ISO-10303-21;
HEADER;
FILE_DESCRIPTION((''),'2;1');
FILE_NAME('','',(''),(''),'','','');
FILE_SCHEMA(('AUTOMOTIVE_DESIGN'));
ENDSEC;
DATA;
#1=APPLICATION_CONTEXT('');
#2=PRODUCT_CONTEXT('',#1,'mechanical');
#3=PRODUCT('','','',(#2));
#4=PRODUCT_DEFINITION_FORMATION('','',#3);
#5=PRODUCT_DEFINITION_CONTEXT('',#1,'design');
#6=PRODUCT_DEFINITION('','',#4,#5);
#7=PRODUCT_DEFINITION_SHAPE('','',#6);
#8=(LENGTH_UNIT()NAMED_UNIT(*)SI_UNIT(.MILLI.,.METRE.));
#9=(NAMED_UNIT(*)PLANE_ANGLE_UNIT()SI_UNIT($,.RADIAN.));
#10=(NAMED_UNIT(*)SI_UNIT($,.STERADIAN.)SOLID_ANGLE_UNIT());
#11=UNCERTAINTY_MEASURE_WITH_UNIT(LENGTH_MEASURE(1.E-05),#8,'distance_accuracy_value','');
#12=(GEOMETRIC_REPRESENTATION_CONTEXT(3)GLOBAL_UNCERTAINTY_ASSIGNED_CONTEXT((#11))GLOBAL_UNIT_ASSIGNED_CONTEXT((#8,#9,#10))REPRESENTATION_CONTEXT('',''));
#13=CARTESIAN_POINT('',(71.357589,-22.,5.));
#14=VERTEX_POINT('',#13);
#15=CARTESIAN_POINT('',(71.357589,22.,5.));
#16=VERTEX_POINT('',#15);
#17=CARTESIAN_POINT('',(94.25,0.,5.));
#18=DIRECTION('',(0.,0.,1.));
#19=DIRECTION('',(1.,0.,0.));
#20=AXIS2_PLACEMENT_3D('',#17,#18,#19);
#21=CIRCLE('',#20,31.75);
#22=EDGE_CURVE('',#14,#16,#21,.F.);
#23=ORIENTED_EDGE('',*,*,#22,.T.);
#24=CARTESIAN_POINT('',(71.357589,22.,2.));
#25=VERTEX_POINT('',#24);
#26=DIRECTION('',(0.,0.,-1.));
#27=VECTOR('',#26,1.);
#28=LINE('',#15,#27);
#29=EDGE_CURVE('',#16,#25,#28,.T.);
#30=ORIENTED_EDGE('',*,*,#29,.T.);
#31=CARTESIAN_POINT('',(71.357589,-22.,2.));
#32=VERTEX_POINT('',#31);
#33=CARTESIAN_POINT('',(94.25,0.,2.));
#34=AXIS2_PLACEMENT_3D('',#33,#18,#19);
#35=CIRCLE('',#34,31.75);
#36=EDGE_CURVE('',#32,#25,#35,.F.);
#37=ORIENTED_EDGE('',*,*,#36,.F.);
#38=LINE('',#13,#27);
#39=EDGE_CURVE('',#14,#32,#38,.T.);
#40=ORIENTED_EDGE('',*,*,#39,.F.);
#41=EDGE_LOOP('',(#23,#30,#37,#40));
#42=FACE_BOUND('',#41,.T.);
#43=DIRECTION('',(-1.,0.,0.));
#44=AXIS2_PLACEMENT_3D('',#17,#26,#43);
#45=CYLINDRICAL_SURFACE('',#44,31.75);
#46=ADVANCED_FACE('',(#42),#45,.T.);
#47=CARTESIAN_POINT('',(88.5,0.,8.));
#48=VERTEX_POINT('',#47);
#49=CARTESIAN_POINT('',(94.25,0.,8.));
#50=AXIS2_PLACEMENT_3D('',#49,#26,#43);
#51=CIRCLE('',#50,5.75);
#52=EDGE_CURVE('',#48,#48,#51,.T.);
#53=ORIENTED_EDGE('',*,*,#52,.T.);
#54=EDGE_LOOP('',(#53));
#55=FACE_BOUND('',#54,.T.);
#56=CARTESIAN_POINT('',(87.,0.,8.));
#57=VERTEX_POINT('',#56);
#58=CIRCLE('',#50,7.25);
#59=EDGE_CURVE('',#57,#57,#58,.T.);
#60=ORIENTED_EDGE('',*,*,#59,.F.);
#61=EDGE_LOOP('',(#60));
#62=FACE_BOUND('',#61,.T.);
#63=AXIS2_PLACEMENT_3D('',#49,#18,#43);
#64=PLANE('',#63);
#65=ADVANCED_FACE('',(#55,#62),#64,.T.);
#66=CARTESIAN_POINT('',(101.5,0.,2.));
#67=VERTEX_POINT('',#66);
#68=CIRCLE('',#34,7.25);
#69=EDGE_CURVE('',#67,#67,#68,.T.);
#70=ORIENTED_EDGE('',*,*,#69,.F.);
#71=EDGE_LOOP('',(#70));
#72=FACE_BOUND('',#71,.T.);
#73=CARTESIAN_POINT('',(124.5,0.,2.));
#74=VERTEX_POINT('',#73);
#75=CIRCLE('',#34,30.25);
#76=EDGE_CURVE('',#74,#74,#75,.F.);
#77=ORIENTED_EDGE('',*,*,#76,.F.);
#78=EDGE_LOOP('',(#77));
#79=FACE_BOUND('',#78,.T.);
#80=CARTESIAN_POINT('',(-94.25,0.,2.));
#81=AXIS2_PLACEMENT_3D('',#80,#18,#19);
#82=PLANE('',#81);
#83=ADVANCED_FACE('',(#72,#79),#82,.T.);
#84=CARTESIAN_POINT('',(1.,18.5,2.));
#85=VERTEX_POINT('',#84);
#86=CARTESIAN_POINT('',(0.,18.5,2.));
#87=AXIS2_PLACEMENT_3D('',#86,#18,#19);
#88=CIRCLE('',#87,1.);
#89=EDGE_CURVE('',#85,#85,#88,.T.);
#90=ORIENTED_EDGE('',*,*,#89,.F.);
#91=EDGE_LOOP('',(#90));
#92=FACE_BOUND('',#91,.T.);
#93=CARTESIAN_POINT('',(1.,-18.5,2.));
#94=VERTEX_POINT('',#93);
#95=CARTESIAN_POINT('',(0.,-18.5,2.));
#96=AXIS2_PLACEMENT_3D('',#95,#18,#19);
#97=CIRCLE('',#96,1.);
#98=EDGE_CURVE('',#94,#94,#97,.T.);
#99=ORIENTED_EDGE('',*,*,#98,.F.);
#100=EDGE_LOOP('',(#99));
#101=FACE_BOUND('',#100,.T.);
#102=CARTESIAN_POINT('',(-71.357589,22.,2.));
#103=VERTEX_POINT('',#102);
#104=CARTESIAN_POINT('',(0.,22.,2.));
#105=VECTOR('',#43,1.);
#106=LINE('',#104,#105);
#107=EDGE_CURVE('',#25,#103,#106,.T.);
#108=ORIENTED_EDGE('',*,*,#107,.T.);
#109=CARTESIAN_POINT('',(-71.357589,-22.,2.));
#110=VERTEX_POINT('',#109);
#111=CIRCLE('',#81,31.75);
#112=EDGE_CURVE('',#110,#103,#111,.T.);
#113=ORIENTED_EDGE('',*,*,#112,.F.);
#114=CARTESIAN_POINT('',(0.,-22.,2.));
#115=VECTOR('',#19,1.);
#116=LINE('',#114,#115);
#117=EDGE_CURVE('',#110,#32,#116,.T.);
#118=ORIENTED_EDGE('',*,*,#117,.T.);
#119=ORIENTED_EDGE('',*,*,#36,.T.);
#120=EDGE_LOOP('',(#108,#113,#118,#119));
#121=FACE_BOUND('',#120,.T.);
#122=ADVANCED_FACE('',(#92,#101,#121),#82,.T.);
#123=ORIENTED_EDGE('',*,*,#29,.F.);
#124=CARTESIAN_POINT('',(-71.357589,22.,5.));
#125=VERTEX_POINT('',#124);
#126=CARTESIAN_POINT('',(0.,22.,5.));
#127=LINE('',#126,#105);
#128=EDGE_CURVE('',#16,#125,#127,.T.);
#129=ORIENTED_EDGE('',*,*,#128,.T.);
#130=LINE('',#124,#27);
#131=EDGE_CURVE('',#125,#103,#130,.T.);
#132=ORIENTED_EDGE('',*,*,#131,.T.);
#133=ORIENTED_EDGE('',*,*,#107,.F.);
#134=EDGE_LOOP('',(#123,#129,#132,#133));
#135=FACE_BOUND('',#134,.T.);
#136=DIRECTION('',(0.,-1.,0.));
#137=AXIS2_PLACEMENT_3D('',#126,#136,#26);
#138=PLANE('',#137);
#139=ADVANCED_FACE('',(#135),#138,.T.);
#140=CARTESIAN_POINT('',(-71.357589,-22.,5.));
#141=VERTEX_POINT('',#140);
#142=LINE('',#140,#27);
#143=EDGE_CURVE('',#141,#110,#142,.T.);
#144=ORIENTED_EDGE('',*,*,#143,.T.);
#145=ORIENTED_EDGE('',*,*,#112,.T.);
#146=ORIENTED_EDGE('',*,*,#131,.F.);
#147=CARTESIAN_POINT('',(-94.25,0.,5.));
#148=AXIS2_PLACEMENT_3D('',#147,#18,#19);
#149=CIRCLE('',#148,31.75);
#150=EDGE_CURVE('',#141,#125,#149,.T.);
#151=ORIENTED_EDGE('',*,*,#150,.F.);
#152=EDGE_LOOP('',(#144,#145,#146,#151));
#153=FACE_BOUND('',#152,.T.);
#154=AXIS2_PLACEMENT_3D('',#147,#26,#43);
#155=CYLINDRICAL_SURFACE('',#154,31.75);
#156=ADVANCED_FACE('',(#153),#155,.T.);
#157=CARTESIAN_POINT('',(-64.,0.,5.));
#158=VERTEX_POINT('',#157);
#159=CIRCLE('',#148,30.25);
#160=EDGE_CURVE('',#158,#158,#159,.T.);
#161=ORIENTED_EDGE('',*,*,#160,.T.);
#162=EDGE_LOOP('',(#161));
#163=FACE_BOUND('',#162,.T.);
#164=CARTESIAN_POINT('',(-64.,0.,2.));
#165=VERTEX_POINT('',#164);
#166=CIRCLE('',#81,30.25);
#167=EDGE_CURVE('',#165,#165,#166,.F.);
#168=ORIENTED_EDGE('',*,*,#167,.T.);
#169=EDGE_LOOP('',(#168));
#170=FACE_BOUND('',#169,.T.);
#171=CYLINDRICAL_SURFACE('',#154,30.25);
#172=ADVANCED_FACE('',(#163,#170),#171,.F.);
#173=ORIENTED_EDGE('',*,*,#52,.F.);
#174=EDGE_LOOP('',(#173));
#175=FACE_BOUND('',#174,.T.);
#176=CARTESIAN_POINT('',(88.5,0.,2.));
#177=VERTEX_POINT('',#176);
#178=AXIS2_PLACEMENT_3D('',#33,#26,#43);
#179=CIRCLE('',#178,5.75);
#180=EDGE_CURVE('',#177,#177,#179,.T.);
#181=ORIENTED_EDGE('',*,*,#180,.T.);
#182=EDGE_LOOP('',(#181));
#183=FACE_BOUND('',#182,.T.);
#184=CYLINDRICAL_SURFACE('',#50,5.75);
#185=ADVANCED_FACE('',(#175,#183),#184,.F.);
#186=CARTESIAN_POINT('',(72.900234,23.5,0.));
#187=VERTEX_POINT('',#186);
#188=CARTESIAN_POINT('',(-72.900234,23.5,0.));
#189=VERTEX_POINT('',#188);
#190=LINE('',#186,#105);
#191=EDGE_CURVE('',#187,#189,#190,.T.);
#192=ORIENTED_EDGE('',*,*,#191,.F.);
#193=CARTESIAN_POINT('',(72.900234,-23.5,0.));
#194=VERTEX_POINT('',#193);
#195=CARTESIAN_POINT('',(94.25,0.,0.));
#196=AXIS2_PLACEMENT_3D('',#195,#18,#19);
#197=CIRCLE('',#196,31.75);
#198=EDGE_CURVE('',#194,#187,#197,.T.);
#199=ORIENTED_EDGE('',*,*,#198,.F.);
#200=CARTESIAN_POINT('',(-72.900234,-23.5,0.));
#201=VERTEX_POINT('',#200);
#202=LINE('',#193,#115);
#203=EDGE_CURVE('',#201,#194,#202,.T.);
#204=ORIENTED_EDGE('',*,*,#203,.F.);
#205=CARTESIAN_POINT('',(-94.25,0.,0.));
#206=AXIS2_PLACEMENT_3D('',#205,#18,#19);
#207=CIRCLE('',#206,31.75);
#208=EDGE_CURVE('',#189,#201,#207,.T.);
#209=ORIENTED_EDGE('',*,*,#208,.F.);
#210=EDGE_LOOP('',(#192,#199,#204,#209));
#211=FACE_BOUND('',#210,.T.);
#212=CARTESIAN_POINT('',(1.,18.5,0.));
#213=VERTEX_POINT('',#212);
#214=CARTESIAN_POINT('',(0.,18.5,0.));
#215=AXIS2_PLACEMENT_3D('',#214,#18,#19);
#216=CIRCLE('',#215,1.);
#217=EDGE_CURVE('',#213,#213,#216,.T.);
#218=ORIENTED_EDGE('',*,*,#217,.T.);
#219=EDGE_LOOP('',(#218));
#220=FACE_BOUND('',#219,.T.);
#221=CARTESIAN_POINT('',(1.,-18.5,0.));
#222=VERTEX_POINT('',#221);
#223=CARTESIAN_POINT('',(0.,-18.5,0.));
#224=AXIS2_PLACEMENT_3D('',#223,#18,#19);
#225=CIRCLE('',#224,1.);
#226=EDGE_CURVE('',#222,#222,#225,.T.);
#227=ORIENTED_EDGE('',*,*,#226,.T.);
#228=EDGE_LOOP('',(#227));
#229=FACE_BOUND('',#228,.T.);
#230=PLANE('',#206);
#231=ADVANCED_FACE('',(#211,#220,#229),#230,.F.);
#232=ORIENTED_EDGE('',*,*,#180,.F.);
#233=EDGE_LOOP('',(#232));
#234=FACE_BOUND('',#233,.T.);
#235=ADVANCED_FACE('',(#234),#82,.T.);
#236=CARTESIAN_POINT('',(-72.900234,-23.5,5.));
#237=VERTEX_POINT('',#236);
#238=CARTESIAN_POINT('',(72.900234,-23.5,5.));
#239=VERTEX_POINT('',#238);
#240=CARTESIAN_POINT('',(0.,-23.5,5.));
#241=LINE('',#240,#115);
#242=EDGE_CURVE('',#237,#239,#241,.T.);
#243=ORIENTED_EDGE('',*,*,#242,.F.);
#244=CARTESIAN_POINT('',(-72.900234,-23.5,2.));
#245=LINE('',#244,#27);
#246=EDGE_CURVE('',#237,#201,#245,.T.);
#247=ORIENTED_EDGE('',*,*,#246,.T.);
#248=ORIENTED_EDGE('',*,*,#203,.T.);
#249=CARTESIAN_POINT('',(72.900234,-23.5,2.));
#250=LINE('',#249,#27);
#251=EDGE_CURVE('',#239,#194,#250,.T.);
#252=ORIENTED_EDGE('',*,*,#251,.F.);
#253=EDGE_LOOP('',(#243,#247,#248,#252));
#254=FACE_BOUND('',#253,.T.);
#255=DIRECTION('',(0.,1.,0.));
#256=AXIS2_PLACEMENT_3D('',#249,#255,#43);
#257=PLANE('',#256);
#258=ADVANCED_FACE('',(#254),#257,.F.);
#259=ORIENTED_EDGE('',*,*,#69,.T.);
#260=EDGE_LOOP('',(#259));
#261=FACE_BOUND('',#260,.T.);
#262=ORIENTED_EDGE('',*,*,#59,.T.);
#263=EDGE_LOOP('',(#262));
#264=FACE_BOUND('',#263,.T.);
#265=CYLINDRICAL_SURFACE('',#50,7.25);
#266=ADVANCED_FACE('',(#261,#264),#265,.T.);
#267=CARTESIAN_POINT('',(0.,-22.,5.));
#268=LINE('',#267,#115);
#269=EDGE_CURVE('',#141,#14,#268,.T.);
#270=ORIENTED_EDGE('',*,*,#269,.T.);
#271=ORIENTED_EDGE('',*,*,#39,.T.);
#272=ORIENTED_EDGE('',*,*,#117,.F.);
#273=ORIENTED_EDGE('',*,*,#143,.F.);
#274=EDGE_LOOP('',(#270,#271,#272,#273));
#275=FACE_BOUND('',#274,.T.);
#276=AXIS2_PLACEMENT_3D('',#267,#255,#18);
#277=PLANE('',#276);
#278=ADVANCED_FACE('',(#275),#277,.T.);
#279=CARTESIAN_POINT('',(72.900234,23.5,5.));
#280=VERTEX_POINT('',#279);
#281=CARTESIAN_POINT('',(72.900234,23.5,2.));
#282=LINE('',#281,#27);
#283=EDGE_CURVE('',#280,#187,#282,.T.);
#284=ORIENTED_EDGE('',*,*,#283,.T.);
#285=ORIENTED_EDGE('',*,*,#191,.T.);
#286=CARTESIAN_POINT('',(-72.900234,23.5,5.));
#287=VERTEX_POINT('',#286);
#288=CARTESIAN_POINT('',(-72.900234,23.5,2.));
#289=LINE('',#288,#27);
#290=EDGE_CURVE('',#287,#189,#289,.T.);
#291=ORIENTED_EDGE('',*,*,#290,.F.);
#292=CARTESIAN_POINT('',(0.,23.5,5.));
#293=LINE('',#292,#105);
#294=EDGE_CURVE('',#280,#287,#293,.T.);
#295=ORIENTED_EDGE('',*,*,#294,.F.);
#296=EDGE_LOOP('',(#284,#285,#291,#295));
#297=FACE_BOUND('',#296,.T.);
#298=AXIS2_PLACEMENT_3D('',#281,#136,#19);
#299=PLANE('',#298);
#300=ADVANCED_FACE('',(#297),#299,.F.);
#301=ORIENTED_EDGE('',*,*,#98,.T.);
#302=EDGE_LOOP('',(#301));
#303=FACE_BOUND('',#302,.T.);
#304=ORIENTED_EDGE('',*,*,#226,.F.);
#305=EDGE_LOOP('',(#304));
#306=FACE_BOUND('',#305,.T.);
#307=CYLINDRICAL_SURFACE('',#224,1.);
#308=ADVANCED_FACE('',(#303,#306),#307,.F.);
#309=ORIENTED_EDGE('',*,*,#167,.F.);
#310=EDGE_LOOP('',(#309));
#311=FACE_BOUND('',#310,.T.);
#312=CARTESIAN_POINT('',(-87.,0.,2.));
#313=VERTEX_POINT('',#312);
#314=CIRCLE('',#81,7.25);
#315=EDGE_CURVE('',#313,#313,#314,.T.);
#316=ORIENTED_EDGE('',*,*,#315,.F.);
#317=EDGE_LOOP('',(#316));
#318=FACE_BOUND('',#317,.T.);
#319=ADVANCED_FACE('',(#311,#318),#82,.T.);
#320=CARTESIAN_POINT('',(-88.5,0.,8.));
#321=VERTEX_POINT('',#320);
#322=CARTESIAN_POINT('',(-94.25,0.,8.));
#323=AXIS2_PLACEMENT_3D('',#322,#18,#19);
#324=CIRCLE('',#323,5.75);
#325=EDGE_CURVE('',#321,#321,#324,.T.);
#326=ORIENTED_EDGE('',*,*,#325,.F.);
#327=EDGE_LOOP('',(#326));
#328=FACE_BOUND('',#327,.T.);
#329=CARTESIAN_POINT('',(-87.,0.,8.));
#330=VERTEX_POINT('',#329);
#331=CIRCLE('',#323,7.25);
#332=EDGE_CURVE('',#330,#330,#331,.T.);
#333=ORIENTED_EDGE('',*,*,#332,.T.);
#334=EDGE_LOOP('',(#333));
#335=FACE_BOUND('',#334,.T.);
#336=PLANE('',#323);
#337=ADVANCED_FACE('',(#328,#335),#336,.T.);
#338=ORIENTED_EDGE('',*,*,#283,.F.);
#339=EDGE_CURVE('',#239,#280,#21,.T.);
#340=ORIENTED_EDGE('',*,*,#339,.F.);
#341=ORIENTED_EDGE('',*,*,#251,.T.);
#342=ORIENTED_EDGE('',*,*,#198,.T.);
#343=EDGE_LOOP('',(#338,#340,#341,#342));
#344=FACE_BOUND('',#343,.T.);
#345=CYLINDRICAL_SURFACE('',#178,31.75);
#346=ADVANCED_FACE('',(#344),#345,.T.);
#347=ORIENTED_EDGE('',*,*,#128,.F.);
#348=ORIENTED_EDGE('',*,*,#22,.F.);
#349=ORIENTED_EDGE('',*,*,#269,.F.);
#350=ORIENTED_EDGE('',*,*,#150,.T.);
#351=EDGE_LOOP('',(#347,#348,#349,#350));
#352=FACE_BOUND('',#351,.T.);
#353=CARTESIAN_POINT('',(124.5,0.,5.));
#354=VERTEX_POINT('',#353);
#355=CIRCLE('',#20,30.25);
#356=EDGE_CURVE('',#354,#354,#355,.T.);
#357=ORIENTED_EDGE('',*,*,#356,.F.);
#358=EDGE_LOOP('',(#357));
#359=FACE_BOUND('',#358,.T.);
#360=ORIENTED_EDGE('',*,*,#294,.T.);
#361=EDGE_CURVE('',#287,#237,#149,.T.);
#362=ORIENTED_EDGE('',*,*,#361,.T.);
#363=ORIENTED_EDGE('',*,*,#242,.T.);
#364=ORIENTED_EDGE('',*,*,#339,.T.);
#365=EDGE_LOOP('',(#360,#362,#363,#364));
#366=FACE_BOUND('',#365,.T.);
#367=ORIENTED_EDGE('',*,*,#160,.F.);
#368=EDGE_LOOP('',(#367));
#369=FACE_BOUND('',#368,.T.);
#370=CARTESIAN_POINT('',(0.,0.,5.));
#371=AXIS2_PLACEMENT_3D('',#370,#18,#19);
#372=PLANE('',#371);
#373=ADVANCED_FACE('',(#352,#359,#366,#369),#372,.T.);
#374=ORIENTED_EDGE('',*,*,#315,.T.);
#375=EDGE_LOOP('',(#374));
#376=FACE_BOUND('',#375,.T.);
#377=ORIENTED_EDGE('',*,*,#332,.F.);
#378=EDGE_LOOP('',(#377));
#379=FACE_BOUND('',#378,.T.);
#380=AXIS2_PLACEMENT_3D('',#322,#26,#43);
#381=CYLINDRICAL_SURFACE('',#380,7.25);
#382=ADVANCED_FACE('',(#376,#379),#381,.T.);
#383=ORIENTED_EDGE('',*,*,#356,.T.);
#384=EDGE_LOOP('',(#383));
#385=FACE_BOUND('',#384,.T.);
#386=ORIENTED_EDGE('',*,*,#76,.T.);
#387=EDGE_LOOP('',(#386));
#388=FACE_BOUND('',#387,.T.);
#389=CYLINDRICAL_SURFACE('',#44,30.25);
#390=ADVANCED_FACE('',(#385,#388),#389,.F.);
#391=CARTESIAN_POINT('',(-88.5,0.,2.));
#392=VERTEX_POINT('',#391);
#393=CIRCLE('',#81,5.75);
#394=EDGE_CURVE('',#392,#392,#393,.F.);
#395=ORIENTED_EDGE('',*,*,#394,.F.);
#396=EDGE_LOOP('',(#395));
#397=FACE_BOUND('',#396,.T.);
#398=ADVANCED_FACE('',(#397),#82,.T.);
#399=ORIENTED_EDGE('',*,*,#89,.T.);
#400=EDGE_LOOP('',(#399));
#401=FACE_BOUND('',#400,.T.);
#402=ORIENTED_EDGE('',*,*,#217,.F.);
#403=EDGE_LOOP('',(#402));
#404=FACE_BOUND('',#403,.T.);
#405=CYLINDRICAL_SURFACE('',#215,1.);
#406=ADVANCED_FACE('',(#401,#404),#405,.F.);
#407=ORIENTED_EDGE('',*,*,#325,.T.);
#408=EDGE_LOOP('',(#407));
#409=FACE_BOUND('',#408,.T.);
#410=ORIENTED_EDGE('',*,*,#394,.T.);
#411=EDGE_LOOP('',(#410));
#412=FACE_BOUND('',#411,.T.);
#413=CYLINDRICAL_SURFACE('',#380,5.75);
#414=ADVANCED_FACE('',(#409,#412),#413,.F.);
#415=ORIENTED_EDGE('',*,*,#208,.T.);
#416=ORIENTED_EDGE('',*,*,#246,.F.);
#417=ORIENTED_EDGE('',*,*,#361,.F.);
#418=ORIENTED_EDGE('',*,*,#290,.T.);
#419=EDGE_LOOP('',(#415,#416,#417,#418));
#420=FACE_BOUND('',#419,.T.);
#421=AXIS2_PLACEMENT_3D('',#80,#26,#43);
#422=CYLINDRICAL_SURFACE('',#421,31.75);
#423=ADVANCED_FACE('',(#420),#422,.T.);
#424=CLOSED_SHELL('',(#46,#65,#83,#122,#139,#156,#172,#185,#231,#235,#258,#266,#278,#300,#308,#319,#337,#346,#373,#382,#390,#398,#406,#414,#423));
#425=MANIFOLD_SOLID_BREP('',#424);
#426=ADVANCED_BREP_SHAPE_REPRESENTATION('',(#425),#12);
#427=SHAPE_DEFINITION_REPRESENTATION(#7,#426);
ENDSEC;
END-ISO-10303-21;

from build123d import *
from build123d.topology import SkipClean

# Parameters (mm, degrees)
BOSS_EXTRUDE1_DEPTH     = 2
BOSS_EXTRUDE2_DEPTH     = 3
CUT_EXTRUDE1_DEPTH      = 130.973314569
CUT_EXTRUDE1_DEPTH_BACK = 130.973314569
SKETCH3_R               = 1
SKETCH4_R               = 7.25
SKETCH4_R_2             = 5.75
BOSS_EXTRUDE3_DEPTH     = 6


with BuildPart() as part:
    # Sketch1 → Boss-Extrude1 (new body)
    with BuildSketch(Plane.XY):
        with BuildLine():
            Line((72.900234193, -23.5), (-72.900234193, -23.5))
            ThreePointArc((-72.900234193, -23.5), (-126, 0), (-72.900234193, 23.5))
            Line((-72.900234193, 23.5), (72.900234193, 23.5))
            ThreePointArc((72.900234193, 23.5), (126, 0), (72.900234193, -23.5))
        make_face()
    extrude(amount=BOSS_EXTRUDE1_DEPTH)

    # Sketch2 → Boss-Extrude2 (add)
    with SkipClean():  # the faces are left unmerged after this step: merging them gives an invalid solid
        with BuildSketch(Plane.XY.offset(2)):
            with BuildLine():
                ThreePointArc((-72.900234193, 23.5), (-126, 0), (-72.900234193, -23.5))
                Line((-72.900234193, -23.5), (72.900234193, -23.5))
                ThreePointArc((72.900234193, -23.5), (126, 0), (72.900234193, 23.5))
                Line((72.900234193, 23.5), (-72.900234193, 23.5))
            make_face()
            with BuildLine():
                ThreePointArc((-73.487955303, -22), (-124.5, 0), (-73.487955303, 22))
                ThreePointArc((-73.487955303, 22), (-66.473081956, 11.979370766), (-64, 0))
                ThreePointArc((-64, 0), (-66.473081956, -11.979370766), (-73.487955303, -22))
            make_face(mode=Mode.SUBTRACT)
            with BuildLine():
                Line((71.357588594, -22), (-71.357588594, -22))
                ThreePointArc((-71.357588594, -22), (-62.5, 0), (-71.357588594, 22))
                Line((-71.357588594, 22), (71.357588594, 22))
                ThreePointArc((71.357588594, 22), (62.5, 0), (71.357588594, -22))
            make_face(mode=Mode.SUBTRACT)
            with BuildLine():
                ThreePointArc((124.5, 0), (106.229370766, -27.776918044), (73.487955303, -22))
                ThreePointArc((73.487955303, -22), (64, 0), (73.487955303, 22))
                ThreePointArc((73.487955303, 22), (106.229370766, 27.776918044), (124.5, 0))
            make_face(mode=Mode.SUBTRACT)
        extrude(amount=BOSS_EXTRUDE2_DEPTH)

    # Sketch3 → Cut-Extrude1 (cut, two sides: drawn at the far end of the back side and taken through both)
    with SkipClean():  # the faces are left unmerged after this step: merging them gives an invalid solid
        with BuildSketch(Plane.XY.offset(2).offset(-CUT_EXTRUDE1_DEPTH_BACK)):
            with Locations((0, -18.5)):
                Circle(SKETCH3_R)
            with Locations((0, 18.5)):
                Circle(SKETCH3_R)
        extrude(amount=CUT_EXTRUDE1_DEPTH + CUT_EXTRUDE1_DEPTH_BACK, mode=Mode.SUBTRACT)

    # Sketch4 → Boss-Extrude3 (add)
    with SkipClean():  # the faces are left unmerged after this step: merging them gives an invalid solid
        with BuildSketch(Plane.XY.offset(2)):
            with Locations((-94.25, 0)):
                Circle(SKETCH4_R)
            with Locations((-94.25, 0)):
                Circle(SKETCH4_R_2, mode=Mode.SUBTRACT)
        boss_extrude3 = extrude(amount=BOSS_EXTRUDE3_DEPTH)

    # Mirror1: Boss-Extrude3 across plane
    with SkipClean():  # the faces are left unmerged after this step: merging them gives an invalid solid
        add(boss_extrude3.mirror(Plane(origin=(0, 0, 0), x_dir=(0, 0, 1), z_dir=(1, 0, 0))))


solid = part.part
